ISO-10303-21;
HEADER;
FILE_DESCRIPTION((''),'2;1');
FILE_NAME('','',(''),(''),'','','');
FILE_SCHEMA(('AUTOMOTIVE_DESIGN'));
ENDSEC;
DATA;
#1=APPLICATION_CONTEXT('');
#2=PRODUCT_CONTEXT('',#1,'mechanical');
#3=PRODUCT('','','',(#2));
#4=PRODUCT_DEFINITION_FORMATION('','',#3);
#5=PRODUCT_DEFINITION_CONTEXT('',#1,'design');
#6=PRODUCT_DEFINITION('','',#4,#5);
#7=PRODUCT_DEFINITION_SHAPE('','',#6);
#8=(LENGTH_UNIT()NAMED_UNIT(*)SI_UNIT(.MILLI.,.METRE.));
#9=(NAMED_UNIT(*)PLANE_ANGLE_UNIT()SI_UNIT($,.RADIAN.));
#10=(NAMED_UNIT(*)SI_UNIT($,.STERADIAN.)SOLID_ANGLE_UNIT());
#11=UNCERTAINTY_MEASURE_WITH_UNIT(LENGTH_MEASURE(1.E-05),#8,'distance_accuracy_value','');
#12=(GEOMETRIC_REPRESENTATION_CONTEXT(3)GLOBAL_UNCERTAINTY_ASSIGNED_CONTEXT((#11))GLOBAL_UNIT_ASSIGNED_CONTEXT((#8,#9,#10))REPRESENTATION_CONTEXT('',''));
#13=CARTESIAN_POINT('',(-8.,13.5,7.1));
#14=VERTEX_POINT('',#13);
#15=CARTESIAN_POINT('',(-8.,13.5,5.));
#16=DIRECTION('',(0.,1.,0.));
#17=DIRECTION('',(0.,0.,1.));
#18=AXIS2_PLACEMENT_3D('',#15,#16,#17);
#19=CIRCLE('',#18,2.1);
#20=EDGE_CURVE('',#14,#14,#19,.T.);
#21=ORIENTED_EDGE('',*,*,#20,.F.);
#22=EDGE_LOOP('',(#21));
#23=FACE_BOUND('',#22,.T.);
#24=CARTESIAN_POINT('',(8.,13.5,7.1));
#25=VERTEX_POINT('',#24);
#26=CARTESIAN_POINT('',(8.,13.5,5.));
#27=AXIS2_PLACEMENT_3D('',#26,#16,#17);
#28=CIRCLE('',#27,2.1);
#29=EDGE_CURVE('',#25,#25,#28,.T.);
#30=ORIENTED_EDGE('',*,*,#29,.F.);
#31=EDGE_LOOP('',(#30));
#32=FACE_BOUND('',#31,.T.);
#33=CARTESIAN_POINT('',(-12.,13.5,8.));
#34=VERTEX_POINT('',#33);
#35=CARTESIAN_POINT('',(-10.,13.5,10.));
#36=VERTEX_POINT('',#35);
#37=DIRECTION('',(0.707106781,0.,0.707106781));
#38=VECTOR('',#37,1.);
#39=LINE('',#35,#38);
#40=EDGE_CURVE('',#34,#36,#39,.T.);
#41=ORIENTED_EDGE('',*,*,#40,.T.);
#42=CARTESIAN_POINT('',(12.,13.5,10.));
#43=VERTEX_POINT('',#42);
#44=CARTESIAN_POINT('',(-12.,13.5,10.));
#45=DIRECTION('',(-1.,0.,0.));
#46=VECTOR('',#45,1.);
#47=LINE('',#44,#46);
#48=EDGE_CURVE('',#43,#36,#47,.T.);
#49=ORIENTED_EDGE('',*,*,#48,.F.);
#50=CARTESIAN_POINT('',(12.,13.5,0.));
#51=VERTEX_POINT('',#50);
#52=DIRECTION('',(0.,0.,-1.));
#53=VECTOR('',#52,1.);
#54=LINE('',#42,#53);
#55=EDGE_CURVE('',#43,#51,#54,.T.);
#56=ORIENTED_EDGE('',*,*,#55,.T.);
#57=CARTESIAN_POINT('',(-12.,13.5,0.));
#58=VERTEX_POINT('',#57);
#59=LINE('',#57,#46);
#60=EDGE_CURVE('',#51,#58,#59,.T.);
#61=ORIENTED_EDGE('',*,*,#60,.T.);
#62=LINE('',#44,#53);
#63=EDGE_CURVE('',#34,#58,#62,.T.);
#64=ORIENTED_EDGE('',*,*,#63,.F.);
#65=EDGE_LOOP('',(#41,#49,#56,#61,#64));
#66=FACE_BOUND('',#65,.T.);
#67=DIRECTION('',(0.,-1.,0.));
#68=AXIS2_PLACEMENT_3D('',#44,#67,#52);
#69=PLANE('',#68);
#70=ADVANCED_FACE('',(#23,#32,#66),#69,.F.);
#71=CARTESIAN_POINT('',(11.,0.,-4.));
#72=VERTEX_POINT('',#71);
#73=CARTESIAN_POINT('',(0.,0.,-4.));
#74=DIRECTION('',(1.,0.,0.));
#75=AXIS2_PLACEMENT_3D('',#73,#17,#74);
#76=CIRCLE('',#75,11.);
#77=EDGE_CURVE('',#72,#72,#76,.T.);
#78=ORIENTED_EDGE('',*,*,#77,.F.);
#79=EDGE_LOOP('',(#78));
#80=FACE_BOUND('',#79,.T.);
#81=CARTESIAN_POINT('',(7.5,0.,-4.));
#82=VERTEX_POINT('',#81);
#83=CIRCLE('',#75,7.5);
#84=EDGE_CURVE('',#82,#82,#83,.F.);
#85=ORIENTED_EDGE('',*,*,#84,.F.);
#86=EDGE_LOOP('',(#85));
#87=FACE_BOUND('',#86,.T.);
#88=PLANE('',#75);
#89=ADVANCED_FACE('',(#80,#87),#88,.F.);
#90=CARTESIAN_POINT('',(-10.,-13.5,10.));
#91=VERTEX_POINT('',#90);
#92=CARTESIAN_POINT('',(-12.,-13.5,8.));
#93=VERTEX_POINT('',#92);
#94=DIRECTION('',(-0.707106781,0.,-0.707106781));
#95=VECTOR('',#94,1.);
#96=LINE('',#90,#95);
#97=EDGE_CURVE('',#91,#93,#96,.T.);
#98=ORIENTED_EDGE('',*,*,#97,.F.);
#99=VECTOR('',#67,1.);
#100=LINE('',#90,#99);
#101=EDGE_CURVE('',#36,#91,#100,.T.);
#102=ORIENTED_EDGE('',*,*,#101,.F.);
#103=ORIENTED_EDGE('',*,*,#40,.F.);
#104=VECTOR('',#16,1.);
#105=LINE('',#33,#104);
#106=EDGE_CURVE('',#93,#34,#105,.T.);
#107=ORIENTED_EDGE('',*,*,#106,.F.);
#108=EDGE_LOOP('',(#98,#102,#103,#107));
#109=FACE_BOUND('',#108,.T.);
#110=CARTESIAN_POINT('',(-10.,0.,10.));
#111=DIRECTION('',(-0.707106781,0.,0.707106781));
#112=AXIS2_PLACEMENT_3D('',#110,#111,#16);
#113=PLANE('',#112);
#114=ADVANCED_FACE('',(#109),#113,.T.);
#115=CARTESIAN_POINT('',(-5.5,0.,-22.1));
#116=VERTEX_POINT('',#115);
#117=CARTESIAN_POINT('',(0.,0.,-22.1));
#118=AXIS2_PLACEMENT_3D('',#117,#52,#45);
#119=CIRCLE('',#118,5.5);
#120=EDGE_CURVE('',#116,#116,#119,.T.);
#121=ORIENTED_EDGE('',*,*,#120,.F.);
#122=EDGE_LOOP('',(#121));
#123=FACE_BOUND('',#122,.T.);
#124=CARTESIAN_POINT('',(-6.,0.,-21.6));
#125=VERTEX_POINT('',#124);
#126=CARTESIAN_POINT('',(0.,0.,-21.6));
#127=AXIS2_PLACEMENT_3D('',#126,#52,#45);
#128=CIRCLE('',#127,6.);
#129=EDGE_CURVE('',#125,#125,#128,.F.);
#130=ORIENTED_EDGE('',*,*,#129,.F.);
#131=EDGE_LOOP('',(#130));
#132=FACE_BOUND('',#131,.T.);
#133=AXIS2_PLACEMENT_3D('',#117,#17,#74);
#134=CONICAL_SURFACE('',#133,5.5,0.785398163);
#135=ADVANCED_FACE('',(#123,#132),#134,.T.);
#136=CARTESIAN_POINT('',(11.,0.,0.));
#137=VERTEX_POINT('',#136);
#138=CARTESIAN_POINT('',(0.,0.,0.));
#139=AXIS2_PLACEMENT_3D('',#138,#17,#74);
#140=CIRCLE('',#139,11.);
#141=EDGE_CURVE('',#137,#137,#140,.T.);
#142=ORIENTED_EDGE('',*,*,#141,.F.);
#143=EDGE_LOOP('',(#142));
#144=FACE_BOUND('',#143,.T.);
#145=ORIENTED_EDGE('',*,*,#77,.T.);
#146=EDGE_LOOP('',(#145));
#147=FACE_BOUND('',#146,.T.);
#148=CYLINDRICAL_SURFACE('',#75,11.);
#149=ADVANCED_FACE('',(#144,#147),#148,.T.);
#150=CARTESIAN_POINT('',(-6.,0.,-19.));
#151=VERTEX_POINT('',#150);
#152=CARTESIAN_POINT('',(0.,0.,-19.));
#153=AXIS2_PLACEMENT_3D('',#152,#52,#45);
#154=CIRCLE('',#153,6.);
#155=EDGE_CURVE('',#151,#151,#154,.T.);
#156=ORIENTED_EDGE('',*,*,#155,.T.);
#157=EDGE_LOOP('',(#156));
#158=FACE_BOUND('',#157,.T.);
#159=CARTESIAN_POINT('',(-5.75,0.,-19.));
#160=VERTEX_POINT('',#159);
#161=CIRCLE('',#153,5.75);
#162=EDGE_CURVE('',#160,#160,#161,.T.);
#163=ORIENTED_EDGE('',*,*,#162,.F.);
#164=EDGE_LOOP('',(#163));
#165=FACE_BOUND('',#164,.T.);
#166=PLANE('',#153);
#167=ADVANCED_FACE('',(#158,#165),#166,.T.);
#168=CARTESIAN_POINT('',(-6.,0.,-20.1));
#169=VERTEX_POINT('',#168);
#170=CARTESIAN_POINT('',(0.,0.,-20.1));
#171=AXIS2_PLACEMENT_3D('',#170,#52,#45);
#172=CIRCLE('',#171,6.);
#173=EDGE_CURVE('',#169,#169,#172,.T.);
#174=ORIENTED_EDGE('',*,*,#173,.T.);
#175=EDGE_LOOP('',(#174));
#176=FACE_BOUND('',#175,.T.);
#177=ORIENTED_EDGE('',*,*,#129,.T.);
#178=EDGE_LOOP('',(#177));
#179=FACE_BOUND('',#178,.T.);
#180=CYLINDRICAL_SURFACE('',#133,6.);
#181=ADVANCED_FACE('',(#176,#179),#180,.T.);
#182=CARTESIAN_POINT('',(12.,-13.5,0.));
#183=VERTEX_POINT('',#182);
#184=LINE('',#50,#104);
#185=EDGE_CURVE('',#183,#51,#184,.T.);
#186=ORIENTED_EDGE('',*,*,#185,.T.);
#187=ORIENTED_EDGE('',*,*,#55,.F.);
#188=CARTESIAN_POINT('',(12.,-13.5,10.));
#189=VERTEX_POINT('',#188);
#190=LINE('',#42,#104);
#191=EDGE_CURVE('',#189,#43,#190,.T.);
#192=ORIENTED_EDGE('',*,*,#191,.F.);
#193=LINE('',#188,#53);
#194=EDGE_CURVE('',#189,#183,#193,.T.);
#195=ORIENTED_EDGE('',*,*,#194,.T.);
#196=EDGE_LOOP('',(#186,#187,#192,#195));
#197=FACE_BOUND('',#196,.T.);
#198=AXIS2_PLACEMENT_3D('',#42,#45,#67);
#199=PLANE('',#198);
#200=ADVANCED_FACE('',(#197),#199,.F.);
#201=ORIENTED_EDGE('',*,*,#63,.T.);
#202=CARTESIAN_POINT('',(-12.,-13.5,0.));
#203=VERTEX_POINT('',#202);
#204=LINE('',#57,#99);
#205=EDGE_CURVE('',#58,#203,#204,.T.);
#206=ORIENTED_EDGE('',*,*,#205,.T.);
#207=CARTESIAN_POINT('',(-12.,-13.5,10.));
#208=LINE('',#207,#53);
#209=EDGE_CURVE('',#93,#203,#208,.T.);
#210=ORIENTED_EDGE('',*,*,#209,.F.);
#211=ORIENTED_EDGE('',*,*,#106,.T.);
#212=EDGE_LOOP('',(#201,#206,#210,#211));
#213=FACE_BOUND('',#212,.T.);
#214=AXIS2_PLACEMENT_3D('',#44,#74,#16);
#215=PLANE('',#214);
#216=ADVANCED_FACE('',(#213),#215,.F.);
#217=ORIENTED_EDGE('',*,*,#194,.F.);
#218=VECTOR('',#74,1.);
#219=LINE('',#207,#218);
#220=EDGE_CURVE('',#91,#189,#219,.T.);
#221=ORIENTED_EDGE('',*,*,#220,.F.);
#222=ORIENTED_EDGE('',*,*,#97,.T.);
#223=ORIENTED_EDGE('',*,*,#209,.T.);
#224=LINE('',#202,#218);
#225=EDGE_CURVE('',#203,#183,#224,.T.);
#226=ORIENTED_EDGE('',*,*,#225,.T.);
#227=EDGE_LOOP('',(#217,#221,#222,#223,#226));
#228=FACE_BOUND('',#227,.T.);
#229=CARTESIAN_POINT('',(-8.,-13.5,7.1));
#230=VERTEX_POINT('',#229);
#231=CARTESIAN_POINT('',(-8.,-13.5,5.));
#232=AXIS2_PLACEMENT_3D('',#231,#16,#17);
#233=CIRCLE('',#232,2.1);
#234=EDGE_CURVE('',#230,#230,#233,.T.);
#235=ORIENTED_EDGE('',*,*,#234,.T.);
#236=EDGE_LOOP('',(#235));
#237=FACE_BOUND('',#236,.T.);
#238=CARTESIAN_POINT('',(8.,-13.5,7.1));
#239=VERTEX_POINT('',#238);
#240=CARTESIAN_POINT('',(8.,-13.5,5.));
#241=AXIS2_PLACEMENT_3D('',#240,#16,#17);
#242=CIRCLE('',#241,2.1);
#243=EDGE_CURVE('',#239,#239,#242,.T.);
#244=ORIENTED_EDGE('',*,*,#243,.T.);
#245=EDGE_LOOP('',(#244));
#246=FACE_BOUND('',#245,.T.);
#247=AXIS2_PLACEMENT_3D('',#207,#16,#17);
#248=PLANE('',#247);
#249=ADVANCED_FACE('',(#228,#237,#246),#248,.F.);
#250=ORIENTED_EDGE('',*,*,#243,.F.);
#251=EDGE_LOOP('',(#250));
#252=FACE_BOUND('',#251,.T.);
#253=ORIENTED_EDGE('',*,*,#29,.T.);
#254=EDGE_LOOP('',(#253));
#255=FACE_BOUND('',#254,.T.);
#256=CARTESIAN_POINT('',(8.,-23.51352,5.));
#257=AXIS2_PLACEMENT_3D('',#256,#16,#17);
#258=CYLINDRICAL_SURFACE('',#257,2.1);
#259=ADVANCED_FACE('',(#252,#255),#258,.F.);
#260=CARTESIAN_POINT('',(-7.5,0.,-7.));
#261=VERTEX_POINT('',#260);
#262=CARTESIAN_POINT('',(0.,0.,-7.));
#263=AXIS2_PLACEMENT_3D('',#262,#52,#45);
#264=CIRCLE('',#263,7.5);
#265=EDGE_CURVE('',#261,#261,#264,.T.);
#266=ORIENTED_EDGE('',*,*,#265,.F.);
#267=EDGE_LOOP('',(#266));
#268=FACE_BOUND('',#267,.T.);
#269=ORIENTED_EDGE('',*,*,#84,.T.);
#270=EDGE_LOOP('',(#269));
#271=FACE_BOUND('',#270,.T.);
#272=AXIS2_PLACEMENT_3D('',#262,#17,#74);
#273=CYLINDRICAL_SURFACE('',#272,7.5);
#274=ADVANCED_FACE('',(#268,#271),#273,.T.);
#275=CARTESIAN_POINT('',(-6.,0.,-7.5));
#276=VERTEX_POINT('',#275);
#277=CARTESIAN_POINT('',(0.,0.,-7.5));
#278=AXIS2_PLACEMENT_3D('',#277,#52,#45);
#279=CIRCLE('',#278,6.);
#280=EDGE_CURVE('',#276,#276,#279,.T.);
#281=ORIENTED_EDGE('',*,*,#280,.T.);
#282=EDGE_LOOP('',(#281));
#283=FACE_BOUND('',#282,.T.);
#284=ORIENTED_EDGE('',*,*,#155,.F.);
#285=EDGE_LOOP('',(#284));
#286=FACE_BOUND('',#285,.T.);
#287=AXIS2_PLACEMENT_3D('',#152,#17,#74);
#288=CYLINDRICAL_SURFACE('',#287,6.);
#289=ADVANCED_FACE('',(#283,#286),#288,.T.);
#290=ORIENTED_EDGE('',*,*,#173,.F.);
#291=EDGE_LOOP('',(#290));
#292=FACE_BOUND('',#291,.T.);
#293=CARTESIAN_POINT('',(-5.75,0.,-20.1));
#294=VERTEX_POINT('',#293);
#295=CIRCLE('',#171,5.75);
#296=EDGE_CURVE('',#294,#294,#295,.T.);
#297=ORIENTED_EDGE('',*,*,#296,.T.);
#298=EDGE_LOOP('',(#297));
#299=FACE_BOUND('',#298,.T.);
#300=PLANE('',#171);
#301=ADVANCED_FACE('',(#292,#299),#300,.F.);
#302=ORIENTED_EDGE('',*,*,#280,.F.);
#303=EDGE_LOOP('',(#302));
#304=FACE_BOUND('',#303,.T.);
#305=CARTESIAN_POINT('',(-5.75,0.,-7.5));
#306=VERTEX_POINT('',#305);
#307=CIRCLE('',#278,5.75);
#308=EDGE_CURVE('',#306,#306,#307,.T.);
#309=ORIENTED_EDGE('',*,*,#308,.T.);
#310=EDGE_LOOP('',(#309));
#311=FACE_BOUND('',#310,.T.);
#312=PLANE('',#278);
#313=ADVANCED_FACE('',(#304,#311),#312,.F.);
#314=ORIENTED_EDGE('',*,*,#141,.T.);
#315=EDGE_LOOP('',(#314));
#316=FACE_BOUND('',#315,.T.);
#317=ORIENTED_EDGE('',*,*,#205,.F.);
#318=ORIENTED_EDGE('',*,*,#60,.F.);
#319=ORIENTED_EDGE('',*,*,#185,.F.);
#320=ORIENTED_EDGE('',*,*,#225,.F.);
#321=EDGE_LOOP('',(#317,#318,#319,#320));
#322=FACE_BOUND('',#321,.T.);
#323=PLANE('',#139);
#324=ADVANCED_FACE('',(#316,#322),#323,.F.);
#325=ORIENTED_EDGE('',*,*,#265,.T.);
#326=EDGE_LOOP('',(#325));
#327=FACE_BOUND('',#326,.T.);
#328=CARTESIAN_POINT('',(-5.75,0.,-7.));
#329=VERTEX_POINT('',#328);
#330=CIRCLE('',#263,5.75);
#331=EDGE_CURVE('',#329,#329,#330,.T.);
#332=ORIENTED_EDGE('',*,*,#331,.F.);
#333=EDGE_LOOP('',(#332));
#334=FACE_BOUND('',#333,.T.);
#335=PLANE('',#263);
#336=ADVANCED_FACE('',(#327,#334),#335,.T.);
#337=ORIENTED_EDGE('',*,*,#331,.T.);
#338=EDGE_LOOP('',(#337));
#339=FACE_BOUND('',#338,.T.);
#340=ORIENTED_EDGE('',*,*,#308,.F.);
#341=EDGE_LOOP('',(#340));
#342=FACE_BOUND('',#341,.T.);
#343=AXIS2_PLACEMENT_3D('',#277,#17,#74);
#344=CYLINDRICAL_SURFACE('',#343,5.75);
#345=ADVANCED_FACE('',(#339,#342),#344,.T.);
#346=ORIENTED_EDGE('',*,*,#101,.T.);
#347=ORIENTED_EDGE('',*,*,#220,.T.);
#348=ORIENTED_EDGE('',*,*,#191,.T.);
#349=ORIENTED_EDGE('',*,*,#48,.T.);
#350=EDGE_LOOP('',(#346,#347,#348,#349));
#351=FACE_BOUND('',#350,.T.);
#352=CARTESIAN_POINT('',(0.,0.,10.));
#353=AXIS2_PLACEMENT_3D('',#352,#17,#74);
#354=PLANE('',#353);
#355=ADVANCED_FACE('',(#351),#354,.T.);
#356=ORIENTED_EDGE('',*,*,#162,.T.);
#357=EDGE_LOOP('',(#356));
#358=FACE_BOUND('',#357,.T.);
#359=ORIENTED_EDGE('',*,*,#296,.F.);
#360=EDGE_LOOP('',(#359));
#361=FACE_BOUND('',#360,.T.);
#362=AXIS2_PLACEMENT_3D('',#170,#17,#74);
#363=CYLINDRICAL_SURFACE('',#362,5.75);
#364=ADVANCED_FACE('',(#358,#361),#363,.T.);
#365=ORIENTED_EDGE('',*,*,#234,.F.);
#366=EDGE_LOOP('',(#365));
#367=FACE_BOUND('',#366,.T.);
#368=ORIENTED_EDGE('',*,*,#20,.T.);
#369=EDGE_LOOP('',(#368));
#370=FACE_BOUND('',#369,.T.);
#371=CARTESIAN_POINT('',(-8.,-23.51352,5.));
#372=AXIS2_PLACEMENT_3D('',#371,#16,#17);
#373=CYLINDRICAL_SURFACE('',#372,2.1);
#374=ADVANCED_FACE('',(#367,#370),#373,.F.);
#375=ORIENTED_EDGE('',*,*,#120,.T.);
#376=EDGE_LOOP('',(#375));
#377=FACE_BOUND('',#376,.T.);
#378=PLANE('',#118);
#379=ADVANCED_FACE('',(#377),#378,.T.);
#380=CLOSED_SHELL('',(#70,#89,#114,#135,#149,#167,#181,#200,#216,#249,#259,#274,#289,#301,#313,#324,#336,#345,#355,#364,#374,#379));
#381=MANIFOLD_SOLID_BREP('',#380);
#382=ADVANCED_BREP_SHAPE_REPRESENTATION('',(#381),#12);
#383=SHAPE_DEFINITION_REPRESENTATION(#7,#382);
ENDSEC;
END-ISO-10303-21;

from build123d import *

# Parameters (mm, degrees)
SKETCH_1_W          = 24
SKETCH_1_H          = 27
EXTRUDE_1_DEPTH     = 10
SKETCH_4_R          = 2.1
CUT_EXTRUDE_2_DEPTH = 37.013519789
SKETCH_2_R          = 11
EXTRUDE_2_DEPTH     = 4
SKETCH_5_R          = 7.5
EXTRUDE_3_DEPTH     = 3
SKETCH_6_R          = 5.75
EXTRUDE_4_DEPTH     = 0.5
SKETCH_7_R          = 6
EXTRUDE_5_DEPTH     = 11.5
SKETCH_8_R          = 5.75
EXTRUDE_6_DEPTH     = 1.1
SKETCH_9_R          = 6
EXTRUDE_7_DEPTH     = 2
CHAMFER_1_SIZE      = 0.5
CHAMFER_2_SIZE      = 2


with BuildPart() as part:
    # 草图1 → 凸台-拉伸1 (new body)
    with BuildSketch(Plane.XY):
        Rectangle(SKETCH_1_W, SKETCH_1_H)
    extrude(amount=EXTRUDE_1_DEPTH)

    # 草图4 → 切除-拉伸2 (cut)
    with BuildSketch(Plane(origin=(0, 13.5, 0), x_dir=(1, 0, 0), z_dir=(0, 1, 0))):
        with Locations(Location((-8, -5, 0), (0, 0, 270))):
            Circle(SKETCH_4_R)
        with Locations(Location((8, -5, 0), (0, 0, 270))):
            Circle(SKETCH_4_R)
    extrude(amount=-CUT_EXTRUDE_2_DEPTH, mode=Mode.SUBTRACT)

    # 草图2 → 凸台-拉伸2 (add)
    with BuildSketch(Plane.XY):
        Circle(SKETCH_2_R)
    extrude(amount=-EXTRUDE_2_DEPTH)

    # 草图5 → 凸台-拉伸3 (add)
    with BuildSketch(Plane(origin=(0, 0, -4), x_dir=(-1, 0, 0), z_dir=(0, 0, -1))):
        with Locations(Location((0, 0, 0), (0, 0, 180))):
            Circle(SKETCH_5_R)
    extrude(amount=EXTRUDE_3_DEPTH)

    # 草图6 → 凸台-拉伸4 (add)
    with BuildSketch(Plane(origin=(0, 0, -7), x_dir=(-1, 0, 0), z_dir=(0, 0, -1))):
        Circle(SKETCH_6_R)
    extrude(amount=EXTRUDE_4_DEPTH)

    # 草图7 → 凸台-拉伸5 (add)
    with BuildSketch(Plane(origin=(0, 0, -7.5), x_dir=(-1, 0, 0), z_dir=(0, 0, -1))):
        Circle(SKETCH_7_R)
    extrude(amount=EXTRUDE_5_DEPTH)

    # 草图8 → 凸台-拉伸6 (add)
    with BuildSketch(Plane(origin=(0, 0, -19), x_dir=(-1, 0, 0), z_dir=(0, 0, -1))):
        Circle(SKETCH_8_R)
    extrude(amount=EXTRUDE_6_DEPTH)

    # 草图9 → 凸台-拉伸7 (add)
    with BuildSketch(Plane(origin=(0, 0, -20.1), x_dir=(-1, 0, 0), z_dir=(0, 0, -1))):
        Circle(SKETCH_9_R)
    extrude(amount=EXTRUDE_7_DEPTH)

    # 倒角1
    chamfer_1_edges = [part.edges().sort_by_distance(p)[0] for p in [
        (6, 0, -22.1),
    ]]
    chamfer(chamfer_1_edges, length=CHAMFER_1_SIZE)

    # 倒角2
    chamfer_2_edges = [part.edges().sort_by_distance(p)[0] for p in [
        (-12, 0, 10),
    ]]
    chamfer(chamfer_2_edges, length=CHAMFER_2_SIZE)


solid = part.part
